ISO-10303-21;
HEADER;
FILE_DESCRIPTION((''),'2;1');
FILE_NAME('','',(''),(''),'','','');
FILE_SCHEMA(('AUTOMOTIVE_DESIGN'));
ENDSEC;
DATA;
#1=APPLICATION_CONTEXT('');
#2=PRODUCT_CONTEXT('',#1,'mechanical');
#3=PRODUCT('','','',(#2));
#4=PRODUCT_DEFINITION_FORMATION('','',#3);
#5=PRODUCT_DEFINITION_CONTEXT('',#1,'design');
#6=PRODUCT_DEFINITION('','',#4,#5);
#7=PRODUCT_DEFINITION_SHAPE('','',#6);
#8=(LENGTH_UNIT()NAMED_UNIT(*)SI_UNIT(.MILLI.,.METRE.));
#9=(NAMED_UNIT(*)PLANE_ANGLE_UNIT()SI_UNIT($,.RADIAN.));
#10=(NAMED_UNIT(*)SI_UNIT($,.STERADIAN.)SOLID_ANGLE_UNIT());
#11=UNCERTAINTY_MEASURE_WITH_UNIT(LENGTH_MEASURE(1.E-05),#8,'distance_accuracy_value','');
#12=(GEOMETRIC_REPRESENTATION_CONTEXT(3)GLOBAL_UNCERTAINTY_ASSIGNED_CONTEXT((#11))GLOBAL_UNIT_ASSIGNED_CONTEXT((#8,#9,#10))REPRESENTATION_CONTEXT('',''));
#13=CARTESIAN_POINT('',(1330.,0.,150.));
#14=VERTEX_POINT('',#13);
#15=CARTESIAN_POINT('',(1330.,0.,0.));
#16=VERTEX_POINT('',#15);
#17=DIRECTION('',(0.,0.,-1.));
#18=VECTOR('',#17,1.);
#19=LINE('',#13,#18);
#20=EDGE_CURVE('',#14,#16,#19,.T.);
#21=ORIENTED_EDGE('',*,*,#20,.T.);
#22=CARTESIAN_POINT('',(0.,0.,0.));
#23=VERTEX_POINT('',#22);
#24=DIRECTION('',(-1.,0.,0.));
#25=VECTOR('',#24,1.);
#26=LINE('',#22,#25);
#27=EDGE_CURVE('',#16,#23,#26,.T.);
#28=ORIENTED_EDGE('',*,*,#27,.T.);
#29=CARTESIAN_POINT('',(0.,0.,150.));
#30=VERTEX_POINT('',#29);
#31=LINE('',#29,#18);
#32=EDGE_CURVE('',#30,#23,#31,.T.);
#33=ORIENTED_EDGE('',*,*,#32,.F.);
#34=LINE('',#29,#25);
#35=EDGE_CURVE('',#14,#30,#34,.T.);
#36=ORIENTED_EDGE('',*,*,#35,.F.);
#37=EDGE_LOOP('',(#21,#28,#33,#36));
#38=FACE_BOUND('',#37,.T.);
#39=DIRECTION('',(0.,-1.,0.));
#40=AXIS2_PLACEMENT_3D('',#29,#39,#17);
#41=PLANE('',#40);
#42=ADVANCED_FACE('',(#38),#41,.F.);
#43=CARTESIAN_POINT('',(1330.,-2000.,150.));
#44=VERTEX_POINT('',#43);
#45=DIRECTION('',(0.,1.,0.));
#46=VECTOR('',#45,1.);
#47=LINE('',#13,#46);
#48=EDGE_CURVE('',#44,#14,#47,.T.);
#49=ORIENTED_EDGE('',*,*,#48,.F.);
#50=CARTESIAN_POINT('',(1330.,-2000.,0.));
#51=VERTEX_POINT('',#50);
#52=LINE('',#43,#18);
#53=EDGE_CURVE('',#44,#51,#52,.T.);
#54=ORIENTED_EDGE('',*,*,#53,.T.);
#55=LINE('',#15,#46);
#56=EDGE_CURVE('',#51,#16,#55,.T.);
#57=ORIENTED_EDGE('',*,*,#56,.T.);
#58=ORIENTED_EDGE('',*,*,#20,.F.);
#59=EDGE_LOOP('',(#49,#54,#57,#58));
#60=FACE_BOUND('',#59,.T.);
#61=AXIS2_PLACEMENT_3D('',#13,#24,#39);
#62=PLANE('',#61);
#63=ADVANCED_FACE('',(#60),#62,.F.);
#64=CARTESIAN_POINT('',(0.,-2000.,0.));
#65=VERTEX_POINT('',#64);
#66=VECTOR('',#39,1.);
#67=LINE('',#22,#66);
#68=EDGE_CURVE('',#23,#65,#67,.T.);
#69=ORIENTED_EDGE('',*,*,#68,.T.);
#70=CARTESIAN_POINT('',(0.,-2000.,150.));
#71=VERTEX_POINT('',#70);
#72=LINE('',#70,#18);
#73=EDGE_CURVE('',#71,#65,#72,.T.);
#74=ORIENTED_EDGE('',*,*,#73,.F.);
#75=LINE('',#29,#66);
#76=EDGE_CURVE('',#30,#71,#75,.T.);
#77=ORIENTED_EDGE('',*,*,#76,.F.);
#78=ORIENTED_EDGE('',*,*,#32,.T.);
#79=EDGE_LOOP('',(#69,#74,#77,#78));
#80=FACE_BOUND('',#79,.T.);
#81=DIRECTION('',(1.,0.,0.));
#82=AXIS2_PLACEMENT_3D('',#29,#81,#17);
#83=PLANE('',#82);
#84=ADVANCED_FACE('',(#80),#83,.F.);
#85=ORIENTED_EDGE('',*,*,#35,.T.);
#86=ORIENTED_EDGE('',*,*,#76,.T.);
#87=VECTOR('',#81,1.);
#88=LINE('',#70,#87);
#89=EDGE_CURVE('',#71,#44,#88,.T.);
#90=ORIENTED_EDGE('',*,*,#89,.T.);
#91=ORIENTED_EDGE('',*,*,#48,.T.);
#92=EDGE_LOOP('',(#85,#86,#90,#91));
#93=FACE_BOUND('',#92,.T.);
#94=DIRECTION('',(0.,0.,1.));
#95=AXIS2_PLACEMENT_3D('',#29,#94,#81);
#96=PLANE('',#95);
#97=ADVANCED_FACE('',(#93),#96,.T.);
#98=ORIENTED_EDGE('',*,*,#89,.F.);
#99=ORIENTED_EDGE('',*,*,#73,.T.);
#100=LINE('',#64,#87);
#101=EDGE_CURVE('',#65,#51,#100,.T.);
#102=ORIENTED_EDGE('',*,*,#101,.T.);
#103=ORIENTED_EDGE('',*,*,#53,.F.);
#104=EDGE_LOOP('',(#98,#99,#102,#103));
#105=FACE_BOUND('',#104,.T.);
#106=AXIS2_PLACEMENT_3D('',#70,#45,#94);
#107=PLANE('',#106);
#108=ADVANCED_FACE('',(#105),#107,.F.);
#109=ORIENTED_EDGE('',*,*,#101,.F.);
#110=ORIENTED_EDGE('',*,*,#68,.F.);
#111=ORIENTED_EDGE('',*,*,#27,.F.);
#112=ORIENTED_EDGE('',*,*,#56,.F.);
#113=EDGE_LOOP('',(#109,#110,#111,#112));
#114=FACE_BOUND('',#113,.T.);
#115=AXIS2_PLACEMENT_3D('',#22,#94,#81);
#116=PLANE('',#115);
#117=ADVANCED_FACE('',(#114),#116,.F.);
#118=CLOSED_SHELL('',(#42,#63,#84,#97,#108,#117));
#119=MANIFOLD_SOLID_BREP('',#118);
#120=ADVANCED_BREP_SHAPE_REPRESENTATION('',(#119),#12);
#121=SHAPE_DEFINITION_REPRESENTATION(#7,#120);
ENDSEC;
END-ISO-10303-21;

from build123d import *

# Parameters (mm, degrees)
SKETCH1_W           = 1330
SKETCH1_H           = 2000
BOSS_EXTRUDE1_DEPTH = 150


with BuildPart() as part:
    # Sketch1 → Boss-Extrude1 (new body)
    with BuildSketch(Plane.XY):
        with Locations((665, -1000)):
            Rectangle(SKETCH1_W, SKETCH1_H)
    extrude(amount=BOSS_EXTRUDE1_DEPTH)


solid = part.part
